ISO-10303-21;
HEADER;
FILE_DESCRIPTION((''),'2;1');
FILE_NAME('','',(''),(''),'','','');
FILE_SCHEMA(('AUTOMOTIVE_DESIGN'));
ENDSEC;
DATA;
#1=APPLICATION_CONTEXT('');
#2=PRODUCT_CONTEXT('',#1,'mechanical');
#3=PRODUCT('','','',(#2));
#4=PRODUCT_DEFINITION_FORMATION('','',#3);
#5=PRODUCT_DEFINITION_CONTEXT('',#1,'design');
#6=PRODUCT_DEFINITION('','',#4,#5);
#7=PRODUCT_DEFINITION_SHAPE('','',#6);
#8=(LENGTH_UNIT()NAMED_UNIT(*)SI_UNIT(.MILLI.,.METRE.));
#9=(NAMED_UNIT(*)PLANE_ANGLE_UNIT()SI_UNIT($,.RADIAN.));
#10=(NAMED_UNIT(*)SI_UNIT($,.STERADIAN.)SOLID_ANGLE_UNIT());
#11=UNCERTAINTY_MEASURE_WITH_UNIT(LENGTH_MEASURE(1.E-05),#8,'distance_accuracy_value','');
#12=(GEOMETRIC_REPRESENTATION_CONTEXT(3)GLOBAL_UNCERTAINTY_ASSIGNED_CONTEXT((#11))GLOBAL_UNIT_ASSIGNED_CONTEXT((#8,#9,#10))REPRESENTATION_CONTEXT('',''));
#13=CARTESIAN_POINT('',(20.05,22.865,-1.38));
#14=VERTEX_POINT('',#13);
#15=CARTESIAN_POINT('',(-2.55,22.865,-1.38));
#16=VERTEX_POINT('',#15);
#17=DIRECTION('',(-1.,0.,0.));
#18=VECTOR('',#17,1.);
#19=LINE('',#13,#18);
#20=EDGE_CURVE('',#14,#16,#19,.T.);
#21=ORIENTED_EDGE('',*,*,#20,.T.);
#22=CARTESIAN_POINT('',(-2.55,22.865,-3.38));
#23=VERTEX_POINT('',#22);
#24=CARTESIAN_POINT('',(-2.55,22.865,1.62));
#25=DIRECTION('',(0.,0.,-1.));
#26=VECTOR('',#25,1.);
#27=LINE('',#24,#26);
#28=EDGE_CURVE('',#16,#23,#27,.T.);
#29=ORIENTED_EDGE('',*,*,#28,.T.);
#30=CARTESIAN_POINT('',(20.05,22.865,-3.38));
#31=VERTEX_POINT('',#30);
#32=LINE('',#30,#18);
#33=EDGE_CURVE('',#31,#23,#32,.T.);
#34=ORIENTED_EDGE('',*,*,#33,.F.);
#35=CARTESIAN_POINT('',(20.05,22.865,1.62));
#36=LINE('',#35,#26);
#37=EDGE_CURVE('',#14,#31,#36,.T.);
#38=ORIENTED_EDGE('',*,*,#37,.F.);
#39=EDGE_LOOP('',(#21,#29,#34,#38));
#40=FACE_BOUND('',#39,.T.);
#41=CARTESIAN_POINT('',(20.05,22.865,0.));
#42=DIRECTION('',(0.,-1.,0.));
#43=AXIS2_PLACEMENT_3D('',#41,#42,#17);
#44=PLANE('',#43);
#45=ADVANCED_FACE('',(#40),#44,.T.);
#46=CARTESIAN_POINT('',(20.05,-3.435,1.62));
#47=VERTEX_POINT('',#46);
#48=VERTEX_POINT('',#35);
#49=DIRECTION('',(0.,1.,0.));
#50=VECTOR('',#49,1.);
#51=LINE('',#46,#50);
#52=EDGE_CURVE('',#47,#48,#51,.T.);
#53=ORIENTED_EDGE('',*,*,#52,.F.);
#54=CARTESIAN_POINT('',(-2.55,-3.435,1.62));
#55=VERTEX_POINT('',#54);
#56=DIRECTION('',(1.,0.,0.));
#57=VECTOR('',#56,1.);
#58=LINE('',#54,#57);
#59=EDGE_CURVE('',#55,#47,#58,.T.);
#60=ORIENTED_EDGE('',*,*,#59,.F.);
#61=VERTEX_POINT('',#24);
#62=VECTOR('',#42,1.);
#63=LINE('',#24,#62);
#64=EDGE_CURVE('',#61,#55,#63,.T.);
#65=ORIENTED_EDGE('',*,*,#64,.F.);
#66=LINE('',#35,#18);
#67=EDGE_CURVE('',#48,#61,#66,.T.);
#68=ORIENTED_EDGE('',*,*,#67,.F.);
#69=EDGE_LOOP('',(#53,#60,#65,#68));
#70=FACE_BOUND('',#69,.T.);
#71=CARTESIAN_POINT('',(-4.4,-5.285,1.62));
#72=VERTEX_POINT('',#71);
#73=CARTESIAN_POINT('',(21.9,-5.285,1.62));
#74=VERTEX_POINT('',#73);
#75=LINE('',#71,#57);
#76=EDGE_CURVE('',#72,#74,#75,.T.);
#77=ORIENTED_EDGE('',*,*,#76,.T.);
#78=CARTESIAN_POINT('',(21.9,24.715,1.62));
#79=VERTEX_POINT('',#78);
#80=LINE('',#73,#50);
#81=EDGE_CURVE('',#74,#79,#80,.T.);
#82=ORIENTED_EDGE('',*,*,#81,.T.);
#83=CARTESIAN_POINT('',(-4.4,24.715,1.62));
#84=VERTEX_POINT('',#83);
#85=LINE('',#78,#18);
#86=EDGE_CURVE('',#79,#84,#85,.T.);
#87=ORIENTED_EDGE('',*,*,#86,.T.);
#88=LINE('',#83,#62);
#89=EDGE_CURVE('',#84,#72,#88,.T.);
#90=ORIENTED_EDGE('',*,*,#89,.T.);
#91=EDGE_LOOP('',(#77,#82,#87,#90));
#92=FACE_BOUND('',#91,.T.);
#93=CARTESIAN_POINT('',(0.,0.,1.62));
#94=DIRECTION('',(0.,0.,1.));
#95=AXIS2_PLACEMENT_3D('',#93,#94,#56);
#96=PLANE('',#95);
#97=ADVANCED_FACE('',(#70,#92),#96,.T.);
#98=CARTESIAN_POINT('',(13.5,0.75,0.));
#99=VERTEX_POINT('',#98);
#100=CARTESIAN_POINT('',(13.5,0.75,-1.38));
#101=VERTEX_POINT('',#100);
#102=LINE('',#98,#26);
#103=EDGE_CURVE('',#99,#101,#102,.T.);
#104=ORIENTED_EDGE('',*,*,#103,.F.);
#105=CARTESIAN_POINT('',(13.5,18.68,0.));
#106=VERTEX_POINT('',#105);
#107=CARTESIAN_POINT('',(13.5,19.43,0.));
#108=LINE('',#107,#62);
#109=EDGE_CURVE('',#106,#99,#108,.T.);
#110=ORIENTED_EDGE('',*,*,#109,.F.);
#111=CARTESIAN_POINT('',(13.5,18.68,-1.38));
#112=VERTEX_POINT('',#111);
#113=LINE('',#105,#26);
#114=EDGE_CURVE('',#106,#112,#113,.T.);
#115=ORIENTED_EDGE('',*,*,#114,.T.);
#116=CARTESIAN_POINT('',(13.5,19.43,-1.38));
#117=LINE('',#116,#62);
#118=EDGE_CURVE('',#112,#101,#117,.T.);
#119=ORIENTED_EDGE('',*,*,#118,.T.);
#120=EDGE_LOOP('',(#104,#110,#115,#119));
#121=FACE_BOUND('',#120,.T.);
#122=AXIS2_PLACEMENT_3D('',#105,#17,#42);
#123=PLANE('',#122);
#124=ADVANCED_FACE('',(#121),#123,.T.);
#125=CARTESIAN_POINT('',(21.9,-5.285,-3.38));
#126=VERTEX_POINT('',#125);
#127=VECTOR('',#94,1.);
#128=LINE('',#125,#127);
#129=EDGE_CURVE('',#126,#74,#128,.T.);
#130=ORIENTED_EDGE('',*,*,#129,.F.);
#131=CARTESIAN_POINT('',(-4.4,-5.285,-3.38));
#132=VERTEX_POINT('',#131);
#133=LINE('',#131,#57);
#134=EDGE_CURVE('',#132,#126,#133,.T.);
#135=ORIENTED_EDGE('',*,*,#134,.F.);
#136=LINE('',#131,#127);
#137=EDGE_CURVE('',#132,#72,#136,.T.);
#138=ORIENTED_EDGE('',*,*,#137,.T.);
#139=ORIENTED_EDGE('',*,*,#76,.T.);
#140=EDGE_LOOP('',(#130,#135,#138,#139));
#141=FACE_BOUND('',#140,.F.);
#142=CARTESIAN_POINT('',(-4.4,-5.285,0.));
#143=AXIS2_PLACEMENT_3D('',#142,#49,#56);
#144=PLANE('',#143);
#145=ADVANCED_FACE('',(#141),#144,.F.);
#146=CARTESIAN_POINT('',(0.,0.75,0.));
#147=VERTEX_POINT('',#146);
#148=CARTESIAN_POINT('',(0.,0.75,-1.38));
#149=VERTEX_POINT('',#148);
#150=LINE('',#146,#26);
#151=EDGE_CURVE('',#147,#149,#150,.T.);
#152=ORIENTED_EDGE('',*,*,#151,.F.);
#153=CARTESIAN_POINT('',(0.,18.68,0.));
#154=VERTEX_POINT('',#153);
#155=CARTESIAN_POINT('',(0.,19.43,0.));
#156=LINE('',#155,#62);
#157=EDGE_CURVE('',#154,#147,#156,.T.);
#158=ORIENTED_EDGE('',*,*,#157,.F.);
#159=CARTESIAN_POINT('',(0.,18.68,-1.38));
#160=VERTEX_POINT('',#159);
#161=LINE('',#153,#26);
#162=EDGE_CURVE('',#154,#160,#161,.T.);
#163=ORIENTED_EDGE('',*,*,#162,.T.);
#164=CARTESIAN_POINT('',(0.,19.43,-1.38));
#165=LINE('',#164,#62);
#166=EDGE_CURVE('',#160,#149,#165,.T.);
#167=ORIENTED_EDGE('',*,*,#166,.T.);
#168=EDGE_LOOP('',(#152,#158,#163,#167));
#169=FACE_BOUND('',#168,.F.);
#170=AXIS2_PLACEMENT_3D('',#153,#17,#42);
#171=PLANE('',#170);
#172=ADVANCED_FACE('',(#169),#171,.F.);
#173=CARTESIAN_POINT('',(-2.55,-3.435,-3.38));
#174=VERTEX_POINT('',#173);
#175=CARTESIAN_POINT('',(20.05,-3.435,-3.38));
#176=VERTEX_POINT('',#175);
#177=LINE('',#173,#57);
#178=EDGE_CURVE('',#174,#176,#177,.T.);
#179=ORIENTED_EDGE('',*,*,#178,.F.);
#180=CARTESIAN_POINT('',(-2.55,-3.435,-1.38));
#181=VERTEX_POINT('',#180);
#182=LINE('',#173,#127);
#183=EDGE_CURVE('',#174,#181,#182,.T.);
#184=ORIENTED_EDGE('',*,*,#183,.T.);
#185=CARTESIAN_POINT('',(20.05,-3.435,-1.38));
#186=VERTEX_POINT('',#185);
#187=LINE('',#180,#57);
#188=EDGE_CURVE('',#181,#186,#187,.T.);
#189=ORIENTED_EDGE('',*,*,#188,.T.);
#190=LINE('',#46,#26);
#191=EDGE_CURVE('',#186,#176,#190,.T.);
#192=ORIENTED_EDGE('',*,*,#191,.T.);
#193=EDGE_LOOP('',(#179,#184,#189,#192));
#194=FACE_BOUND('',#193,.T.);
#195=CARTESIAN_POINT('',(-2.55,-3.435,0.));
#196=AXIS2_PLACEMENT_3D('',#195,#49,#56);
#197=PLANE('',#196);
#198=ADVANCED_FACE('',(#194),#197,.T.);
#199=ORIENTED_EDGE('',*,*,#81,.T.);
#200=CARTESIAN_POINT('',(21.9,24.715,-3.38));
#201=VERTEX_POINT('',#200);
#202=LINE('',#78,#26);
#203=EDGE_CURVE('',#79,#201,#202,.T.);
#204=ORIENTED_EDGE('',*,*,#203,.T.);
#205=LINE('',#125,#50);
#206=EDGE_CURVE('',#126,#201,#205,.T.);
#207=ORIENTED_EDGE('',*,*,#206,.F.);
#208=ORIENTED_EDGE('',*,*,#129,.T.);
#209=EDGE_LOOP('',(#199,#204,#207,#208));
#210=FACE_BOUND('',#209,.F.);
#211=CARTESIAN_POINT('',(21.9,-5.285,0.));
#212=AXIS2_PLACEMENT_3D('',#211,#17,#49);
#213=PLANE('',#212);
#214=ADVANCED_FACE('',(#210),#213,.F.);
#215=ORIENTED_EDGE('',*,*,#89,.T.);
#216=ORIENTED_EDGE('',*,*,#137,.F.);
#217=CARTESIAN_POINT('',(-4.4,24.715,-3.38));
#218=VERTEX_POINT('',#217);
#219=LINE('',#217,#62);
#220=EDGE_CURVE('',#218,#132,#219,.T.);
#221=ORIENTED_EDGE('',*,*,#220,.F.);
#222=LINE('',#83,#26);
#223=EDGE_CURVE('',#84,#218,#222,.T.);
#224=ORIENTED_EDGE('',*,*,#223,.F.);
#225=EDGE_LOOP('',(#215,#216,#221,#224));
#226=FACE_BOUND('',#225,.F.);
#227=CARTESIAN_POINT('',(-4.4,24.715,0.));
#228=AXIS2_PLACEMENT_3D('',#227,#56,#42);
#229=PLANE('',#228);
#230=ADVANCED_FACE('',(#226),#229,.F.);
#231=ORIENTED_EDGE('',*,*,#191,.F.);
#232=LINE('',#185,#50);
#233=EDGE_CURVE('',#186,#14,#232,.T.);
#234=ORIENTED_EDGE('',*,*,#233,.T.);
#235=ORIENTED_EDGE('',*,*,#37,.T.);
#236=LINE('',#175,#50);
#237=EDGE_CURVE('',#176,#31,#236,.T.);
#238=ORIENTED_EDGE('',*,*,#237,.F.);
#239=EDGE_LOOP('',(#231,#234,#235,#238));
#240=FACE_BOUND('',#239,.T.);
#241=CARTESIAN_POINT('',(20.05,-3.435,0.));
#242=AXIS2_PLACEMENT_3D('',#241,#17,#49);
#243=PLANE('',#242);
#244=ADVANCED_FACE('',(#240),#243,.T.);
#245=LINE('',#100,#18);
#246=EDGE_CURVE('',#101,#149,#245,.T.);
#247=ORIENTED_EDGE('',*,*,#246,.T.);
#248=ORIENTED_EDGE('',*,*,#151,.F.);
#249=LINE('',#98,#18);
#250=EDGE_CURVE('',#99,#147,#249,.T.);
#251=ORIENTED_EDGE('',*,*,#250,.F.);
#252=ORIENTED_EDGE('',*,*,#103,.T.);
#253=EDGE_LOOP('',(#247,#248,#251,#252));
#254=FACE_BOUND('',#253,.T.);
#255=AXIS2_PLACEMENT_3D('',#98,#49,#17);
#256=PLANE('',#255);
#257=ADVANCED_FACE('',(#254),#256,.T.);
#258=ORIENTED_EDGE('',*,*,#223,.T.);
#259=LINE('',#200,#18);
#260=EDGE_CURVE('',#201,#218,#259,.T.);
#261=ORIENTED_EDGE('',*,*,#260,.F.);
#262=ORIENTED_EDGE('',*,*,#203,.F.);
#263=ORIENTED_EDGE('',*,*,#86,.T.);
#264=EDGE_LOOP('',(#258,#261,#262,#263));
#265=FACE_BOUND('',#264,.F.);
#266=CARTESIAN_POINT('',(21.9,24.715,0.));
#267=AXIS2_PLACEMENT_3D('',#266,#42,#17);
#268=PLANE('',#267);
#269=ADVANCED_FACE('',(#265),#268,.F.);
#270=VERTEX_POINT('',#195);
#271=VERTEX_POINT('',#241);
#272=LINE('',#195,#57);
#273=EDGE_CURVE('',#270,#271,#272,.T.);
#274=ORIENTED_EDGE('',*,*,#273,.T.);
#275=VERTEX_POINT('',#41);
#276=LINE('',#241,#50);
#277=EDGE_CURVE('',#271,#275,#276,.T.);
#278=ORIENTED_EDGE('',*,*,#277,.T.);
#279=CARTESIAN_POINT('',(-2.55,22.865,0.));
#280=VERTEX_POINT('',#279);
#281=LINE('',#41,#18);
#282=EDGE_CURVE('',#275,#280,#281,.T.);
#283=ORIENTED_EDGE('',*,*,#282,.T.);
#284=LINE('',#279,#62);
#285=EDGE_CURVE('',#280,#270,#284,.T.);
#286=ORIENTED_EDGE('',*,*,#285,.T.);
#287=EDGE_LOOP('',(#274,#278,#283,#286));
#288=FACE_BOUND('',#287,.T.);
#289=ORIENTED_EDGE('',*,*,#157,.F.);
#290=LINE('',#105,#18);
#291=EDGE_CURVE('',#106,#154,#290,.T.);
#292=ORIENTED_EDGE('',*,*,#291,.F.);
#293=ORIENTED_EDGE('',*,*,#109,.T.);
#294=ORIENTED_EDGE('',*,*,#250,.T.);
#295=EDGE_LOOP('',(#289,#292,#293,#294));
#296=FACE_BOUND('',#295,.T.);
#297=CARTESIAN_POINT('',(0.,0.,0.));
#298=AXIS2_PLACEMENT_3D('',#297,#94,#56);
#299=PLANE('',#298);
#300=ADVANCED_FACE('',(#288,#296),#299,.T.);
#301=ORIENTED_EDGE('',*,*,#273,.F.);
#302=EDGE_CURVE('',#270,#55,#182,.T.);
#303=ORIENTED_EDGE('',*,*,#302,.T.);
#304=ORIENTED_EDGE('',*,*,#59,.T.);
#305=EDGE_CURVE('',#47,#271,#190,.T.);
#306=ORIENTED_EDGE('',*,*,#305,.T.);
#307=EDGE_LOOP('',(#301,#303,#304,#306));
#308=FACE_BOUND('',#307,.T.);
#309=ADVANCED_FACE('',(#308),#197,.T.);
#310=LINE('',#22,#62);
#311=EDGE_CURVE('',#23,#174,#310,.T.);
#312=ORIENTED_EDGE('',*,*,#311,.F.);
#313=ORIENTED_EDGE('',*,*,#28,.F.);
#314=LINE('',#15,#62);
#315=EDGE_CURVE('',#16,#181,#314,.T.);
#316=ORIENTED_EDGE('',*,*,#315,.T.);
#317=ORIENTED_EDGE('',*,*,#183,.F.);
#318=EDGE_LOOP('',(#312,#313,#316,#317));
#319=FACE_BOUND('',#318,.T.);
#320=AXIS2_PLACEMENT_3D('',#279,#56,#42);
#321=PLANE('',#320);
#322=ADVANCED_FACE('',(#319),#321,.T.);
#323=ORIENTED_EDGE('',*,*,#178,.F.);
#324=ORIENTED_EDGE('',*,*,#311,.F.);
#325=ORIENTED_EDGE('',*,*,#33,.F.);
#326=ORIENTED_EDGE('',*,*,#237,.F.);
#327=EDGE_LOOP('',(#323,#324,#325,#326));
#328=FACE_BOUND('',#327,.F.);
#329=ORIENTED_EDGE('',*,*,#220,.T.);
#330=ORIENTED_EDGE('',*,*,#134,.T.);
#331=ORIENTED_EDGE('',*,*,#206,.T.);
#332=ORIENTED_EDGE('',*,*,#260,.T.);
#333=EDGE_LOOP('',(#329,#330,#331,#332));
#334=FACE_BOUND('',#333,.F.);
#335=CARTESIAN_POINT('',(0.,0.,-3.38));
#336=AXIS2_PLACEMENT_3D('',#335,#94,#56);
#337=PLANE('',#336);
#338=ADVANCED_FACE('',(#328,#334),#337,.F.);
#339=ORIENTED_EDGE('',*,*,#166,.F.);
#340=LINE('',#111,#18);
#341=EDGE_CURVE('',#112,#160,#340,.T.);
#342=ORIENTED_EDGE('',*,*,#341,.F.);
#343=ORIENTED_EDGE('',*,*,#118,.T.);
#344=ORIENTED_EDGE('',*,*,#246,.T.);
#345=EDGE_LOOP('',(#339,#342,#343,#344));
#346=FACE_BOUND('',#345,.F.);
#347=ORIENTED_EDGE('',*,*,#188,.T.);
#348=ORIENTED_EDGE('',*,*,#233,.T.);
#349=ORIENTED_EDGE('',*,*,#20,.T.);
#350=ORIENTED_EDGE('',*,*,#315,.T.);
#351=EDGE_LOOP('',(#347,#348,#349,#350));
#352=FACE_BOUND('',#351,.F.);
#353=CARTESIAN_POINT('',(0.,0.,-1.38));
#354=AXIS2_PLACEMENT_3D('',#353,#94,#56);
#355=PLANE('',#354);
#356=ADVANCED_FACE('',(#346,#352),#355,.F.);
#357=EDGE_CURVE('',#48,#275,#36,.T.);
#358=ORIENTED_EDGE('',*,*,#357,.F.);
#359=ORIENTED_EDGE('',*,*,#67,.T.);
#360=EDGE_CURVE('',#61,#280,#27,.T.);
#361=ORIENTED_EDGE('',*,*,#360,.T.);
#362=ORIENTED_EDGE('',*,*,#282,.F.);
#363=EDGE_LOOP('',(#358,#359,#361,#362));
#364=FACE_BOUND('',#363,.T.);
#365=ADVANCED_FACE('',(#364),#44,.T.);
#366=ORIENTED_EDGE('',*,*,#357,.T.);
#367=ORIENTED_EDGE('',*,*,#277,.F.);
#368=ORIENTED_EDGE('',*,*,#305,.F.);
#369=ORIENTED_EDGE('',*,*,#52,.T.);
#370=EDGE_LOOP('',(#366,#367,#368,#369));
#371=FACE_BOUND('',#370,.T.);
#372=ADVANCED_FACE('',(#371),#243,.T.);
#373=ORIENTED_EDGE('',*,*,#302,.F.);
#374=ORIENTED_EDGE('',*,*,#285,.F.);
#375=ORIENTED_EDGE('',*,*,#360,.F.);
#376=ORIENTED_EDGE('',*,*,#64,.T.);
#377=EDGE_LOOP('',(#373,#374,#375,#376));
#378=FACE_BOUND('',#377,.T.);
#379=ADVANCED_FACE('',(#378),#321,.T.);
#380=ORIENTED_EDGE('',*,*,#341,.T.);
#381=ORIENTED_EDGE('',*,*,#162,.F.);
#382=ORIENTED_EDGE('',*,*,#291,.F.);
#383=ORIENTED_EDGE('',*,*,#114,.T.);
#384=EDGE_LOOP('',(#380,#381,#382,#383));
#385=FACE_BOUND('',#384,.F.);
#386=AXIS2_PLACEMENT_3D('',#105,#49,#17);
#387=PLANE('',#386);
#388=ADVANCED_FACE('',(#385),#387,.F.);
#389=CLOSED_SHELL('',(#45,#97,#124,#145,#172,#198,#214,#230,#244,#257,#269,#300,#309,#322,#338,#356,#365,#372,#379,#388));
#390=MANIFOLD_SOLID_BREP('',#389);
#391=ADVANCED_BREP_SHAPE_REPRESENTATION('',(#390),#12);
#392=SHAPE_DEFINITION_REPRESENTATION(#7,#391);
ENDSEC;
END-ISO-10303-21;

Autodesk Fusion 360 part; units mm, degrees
sketch "Sketch1" plane through (0, 0, 0) normal (0, 0, 1) x (1, 0, 0)
  line L0 (0, 0) -> (16.5, 0)
  line L1 (16.5, 0) -> (16.5, 19.43)
  line L2 (16.5, 19.43) -> (0, 19.43)
  line L3 (0, 19.43) -> (0, 0)
  line L4 (0, 19.43) -> (1.2, 19.43)
  line L5 (1.2, 0) -> (0, 0)
  line L6 (0, 0) -> (0, 19.43)
  line L7 (16.5, 19.43) -> (13.5, 19.43)
  line L8 (13.5, 19.43) -> (13.5, 0)
  line L9 (13.5, 0) -> (16.5, 0)
  line L10 (16.5, 0) -> (16.5, 19.43)
  line L11 (-4.4, -5.285) -> (21.9, -5.285)
  line L12 (21.9, -5.285) -> (21.9, 24.715)
  line L13 (21.9, 24.715) -> (-4.4, 24.715)
  line L14 (-4.4, 24.715) -> (-4.4, -5.285)
  line L15 (0, 0) -> (13.5, 0)
  line L16 (13.5, 0) -> (13.5, 0.75)
  line L17 (13.5, 0.75) -> (0, 0.75)
  line L18 (0, 0.75) -> (0, 0)
  line L19 (0, 19.43) -> (13.5, 19.43)
  line L20 (13.5, 19.43) -> (13.5, 18.68)
  line L21 (13.5, 18.68) -> (0, 18.68)
  line L22 (0, 18.68) -> (0, 19.43)
  line L23 (-2.55, -3.435) -> (20.05, -3.435)
  line L24 (20.05, -3.435) -> (20.05, 22.865)
  line L25 (20.05, 22.865) -> (-2.55, 22.865)
  line L26 (-2.55, 22.865) -> (-2.55, -3.435)
  dimension "d1" = 16.5
  dimension "d2" = 19.43
  dimension "d4" = 3
  dimension "d9" = 4.4
  dimension "d49" = 0.75
  dimension "d50" = 0.75
  dimension "d53" = 30
  dimension "d54" = 5.285
  dimension "d55" = 1.85
  dimension "d56" = 1.85
  dimension "d57" = 1.85
  dimension "d58" = 1.85
  dimension "d71" = 5.4
  dimension "d72" = 25.3
extrude "Extrude14" add sketch "Sketch1" along normal blind 1.62 contours L11 L12 L13 L14
extrude "Extrude15" add sketch "Sketch1" against normal blind 3.38 contours L11 L12 L13 L14
extrude "Extrude16" add sketch "Sketch1" against normal blind 1.38 contours L0 L3 L5 L6 L8 L15 L16 L17 L18 | L0 L1 L2 L7 L8 L9 L10 L16 L20 | L2 L3 L4 L6 L8 L19 L20 L21 L22 | L23 L24 L25 L26
equation "d32 = ( 16.50 mm - d27 ) / 2"
equation "d49 = d50"
equation "d54 = ( d53 - d2 ) / 2"
equation "d56 = d55"
equation "d57 = d55"
equation "d58 = d55"
equation "d80 = -1.38 mm"
equation "d24 = 3.2 mm"
equation "d25 = d24"
equation "d26 = 10 mm"
equation "d27 = ( 30 mm - d26 ) / 2"
equation "d29 = ( 6.4 / sin(45 °) ) * 1 mm"
equation "d81 = d80 / 2"
